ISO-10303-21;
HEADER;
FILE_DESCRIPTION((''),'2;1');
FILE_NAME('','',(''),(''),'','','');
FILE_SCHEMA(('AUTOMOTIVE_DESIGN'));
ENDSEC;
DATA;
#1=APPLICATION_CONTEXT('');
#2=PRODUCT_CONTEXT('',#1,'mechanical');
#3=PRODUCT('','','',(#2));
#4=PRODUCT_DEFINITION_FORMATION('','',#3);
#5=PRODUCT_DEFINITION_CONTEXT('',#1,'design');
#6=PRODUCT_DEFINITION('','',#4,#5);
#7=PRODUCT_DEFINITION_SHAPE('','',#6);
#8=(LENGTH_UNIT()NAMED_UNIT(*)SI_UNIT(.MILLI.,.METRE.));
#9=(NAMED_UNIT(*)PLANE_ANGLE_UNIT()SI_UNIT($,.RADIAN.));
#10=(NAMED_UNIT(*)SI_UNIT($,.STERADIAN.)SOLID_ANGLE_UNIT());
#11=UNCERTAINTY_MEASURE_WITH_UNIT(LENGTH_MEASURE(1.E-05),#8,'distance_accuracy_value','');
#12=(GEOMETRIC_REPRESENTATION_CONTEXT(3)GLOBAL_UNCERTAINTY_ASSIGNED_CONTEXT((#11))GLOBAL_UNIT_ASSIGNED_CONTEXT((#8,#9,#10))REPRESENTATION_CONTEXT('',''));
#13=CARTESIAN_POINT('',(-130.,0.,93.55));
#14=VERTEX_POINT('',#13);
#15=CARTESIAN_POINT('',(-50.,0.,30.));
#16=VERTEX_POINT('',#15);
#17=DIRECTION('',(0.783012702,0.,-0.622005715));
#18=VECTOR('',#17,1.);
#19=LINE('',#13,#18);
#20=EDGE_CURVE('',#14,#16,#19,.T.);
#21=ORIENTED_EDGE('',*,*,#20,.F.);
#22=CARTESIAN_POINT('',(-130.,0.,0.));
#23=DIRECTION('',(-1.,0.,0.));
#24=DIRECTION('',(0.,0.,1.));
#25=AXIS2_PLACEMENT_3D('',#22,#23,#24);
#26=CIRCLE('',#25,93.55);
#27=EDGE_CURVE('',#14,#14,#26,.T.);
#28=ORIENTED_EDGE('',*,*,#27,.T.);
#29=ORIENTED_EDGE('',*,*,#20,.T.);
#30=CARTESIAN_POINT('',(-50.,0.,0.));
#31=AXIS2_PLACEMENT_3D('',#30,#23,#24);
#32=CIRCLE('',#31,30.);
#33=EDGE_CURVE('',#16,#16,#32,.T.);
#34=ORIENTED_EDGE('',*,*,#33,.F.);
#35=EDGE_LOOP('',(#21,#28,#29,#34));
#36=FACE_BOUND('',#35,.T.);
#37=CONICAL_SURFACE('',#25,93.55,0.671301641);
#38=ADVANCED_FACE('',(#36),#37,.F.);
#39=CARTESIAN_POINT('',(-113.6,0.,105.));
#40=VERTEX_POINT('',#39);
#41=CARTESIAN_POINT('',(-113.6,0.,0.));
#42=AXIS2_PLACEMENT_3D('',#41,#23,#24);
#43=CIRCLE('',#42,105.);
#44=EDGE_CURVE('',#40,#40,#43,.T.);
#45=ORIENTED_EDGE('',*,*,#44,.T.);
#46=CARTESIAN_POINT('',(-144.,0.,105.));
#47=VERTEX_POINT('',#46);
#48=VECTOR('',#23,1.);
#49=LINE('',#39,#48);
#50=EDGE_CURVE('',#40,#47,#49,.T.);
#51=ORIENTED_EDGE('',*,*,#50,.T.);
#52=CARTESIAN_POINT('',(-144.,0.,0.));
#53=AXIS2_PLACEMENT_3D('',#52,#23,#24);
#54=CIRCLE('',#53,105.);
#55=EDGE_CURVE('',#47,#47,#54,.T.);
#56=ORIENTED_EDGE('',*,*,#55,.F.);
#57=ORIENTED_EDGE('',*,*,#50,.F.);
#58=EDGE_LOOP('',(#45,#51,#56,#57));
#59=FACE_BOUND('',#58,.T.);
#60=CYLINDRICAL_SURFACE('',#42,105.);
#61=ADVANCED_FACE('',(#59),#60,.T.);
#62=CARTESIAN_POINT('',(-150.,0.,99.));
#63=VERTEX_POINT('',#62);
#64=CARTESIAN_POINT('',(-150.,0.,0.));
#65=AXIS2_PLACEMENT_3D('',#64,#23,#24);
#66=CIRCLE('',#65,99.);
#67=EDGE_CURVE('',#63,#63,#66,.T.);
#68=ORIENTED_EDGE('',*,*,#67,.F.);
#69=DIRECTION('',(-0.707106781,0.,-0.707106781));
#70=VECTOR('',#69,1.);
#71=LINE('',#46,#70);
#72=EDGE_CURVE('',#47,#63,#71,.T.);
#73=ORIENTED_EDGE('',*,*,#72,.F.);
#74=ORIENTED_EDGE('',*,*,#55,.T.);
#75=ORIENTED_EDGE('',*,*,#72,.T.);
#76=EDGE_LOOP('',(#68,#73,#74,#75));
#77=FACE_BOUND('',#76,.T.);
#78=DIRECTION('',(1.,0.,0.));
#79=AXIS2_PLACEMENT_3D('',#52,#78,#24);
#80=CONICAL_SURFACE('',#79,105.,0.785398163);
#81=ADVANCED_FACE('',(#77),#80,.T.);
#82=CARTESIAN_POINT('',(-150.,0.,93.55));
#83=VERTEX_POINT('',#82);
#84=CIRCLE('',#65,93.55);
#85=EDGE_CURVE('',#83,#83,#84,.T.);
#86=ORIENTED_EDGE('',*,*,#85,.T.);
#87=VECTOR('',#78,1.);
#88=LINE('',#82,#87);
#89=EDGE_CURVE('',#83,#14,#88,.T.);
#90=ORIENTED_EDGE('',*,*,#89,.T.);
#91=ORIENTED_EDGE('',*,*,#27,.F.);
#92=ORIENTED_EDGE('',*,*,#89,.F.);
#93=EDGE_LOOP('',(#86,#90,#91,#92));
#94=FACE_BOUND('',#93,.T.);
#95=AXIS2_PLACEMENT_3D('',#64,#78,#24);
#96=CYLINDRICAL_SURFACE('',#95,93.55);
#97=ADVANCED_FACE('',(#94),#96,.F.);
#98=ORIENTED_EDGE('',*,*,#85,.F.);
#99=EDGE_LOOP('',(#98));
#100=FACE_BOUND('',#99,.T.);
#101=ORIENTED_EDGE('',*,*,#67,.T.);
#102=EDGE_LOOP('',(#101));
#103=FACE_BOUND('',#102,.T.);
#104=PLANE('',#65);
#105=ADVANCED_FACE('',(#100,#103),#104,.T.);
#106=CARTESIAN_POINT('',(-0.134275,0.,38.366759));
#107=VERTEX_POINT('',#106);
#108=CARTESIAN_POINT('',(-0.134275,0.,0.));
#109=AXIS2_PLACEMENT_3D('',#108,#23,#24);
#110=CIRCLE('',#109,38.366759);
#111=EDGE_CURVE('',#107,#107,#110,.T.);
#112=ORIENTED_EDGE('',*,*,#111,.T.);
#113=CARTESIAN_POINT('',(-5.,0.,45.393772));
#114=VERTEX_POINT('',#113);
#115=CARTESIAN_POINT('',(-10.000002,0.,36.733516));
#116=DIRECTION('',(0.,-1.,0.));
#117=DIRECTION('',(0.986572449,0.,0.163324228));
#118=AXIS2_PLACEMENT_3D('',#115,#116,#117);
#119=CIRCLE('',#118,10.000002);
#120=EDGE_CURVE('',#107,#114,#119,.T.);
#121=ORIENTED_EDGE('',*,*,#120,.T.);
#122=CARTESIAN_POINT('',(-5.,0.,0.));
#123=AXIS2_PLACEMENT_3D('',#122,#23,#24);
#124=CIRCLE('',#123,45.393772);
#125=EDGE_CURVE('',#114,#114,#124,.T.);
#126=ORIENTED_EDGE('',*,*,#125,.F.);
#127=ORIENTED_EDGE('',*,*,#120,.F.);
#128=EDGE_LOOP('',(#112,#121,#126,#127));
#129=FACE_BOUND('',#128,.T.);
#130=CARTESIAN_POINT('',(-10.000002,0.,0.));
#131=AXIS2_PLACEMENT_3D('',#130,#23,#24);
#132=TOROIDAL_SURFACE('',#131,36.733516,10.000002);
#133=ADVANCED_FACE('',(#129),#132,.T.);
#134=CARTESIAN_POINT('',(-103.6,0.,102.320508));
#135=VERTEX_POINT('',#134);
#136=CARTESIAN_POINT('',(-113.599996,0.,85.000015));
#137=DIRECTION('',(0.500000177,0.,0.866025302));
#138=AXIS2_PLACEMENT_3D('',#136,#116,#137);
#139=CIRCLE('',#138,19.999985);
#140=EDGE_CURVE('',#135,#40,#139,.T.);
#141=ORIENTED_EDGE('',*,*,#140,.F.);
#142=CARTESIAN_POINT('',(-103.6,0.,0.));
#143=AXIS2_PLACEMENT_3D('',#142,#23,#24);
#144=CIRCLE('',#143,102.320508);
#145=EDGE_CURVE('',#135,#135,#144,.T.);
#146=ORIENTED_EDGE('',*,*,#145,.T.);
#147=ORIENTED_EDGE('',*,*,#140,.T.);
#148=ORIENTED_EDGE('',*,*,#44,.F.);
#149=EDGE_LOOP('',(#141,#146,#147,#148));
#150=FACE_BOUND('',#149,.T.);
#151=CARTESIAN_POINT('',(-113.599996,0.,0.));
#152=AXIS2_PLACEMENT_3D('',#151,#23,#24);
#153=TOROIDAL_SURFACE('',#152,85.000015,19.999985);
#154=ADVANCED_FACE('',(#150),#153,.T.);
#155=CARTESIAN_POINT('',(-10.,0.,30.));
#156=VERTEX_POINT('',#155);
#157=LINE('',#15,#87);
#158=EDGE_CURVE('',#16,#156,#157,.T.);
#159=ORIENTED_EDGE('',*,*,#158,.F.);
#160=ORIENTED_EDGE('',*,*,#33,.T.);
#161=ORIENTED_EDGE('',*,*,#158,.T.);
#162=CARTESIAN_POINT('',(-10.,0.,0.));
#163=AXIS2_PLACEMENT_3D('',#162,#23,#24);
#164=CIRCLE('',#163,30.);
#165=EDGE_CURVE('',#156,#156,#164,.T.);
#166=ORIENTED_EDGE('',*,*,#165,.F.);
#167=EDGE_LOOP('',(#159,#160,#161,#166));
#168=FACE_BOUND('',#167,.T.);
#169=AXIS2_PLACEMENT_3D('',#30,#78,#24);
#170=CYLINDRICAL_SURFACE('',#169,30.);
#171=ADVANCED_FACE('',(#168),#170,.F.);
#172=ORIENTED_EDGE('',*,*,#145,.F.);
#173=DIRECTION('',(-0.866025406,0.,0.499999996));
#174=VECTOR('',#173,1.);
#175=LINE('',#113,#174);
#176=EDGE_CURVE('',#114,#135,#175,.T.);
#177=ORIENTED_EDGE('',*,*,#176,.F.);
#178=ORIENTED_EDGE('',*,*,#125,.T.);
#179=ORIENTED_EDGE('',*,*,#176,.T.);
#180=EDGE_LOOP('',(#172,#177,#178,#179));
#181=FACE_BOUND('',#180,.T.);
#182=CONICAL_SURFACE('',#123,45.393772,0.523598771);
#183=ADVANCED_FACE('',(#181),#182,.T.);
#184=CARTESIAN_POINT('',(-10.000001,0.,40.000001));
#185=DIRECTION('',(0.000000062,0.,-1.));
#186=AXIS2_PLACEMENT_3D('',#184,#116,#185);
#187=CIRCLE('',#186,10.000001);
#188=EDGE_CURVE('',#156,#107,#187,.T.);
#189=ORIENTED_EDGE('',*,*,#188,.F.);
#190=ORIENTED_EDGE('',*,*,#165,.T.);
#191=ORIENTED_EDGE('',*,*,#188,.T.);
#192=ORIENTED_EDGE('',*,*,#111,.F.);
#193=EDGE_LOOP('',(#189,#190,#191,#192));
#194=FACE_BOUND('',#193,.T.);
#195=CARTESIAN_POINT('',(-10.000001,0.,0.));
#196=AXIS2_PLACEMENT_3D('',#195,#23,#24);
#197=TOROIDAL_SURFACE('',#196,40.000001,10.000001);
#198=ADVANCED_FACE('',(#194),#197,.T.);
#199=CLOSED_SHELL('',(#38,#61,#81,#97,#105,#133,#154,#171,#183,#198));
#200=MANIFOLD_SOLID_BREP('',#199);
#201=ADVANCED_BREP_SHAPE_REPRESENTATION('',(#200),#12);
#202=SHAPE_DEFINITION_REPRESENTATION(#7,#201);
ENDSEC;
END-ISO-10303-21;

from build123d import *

# Parameters (mm, degrees)
F2_SIZE = 6


with BuildPart() as f1:
    # F0 (on Front) → F1 (revolve)
    with BuildSketch(Plane.XZ):
        with BuildLine():
            ThreePointArc((-103.6, 102.320508), (-108.423619, 104.318517), (-113.6, 105))
            Line((-113.6, 105), (-150, 105))
            Line((-150, 105), (-150, 93.55))
            Line((-150, 93.55), (-130, 93.55))
            Line((-130, 93.55), (-50, 30))
            Line((-50, 30), (-10, 30))
            ThreePointArc((-10, 30), (-3.532095, 32.373323), (-0.134275, 38.366759))
            ThreePointArc((-0.134275, 38.366759), (-1.778554, 42.426305), (-5, 45.393772))
            Line((-5, 45.393772), (-103.6, 102.320508))
        make_face()
    revolve(axis=Axis((-75, 0, 0), (-1, 0, 0)))

    # F2
    f2_edges = [f1.edges().sort_by_distance(p)[0] for p in [
        (-150, 0, -105),
    ]]
    chamfer(f2_edges, length=F2_SIZE)


solid = f1.part
